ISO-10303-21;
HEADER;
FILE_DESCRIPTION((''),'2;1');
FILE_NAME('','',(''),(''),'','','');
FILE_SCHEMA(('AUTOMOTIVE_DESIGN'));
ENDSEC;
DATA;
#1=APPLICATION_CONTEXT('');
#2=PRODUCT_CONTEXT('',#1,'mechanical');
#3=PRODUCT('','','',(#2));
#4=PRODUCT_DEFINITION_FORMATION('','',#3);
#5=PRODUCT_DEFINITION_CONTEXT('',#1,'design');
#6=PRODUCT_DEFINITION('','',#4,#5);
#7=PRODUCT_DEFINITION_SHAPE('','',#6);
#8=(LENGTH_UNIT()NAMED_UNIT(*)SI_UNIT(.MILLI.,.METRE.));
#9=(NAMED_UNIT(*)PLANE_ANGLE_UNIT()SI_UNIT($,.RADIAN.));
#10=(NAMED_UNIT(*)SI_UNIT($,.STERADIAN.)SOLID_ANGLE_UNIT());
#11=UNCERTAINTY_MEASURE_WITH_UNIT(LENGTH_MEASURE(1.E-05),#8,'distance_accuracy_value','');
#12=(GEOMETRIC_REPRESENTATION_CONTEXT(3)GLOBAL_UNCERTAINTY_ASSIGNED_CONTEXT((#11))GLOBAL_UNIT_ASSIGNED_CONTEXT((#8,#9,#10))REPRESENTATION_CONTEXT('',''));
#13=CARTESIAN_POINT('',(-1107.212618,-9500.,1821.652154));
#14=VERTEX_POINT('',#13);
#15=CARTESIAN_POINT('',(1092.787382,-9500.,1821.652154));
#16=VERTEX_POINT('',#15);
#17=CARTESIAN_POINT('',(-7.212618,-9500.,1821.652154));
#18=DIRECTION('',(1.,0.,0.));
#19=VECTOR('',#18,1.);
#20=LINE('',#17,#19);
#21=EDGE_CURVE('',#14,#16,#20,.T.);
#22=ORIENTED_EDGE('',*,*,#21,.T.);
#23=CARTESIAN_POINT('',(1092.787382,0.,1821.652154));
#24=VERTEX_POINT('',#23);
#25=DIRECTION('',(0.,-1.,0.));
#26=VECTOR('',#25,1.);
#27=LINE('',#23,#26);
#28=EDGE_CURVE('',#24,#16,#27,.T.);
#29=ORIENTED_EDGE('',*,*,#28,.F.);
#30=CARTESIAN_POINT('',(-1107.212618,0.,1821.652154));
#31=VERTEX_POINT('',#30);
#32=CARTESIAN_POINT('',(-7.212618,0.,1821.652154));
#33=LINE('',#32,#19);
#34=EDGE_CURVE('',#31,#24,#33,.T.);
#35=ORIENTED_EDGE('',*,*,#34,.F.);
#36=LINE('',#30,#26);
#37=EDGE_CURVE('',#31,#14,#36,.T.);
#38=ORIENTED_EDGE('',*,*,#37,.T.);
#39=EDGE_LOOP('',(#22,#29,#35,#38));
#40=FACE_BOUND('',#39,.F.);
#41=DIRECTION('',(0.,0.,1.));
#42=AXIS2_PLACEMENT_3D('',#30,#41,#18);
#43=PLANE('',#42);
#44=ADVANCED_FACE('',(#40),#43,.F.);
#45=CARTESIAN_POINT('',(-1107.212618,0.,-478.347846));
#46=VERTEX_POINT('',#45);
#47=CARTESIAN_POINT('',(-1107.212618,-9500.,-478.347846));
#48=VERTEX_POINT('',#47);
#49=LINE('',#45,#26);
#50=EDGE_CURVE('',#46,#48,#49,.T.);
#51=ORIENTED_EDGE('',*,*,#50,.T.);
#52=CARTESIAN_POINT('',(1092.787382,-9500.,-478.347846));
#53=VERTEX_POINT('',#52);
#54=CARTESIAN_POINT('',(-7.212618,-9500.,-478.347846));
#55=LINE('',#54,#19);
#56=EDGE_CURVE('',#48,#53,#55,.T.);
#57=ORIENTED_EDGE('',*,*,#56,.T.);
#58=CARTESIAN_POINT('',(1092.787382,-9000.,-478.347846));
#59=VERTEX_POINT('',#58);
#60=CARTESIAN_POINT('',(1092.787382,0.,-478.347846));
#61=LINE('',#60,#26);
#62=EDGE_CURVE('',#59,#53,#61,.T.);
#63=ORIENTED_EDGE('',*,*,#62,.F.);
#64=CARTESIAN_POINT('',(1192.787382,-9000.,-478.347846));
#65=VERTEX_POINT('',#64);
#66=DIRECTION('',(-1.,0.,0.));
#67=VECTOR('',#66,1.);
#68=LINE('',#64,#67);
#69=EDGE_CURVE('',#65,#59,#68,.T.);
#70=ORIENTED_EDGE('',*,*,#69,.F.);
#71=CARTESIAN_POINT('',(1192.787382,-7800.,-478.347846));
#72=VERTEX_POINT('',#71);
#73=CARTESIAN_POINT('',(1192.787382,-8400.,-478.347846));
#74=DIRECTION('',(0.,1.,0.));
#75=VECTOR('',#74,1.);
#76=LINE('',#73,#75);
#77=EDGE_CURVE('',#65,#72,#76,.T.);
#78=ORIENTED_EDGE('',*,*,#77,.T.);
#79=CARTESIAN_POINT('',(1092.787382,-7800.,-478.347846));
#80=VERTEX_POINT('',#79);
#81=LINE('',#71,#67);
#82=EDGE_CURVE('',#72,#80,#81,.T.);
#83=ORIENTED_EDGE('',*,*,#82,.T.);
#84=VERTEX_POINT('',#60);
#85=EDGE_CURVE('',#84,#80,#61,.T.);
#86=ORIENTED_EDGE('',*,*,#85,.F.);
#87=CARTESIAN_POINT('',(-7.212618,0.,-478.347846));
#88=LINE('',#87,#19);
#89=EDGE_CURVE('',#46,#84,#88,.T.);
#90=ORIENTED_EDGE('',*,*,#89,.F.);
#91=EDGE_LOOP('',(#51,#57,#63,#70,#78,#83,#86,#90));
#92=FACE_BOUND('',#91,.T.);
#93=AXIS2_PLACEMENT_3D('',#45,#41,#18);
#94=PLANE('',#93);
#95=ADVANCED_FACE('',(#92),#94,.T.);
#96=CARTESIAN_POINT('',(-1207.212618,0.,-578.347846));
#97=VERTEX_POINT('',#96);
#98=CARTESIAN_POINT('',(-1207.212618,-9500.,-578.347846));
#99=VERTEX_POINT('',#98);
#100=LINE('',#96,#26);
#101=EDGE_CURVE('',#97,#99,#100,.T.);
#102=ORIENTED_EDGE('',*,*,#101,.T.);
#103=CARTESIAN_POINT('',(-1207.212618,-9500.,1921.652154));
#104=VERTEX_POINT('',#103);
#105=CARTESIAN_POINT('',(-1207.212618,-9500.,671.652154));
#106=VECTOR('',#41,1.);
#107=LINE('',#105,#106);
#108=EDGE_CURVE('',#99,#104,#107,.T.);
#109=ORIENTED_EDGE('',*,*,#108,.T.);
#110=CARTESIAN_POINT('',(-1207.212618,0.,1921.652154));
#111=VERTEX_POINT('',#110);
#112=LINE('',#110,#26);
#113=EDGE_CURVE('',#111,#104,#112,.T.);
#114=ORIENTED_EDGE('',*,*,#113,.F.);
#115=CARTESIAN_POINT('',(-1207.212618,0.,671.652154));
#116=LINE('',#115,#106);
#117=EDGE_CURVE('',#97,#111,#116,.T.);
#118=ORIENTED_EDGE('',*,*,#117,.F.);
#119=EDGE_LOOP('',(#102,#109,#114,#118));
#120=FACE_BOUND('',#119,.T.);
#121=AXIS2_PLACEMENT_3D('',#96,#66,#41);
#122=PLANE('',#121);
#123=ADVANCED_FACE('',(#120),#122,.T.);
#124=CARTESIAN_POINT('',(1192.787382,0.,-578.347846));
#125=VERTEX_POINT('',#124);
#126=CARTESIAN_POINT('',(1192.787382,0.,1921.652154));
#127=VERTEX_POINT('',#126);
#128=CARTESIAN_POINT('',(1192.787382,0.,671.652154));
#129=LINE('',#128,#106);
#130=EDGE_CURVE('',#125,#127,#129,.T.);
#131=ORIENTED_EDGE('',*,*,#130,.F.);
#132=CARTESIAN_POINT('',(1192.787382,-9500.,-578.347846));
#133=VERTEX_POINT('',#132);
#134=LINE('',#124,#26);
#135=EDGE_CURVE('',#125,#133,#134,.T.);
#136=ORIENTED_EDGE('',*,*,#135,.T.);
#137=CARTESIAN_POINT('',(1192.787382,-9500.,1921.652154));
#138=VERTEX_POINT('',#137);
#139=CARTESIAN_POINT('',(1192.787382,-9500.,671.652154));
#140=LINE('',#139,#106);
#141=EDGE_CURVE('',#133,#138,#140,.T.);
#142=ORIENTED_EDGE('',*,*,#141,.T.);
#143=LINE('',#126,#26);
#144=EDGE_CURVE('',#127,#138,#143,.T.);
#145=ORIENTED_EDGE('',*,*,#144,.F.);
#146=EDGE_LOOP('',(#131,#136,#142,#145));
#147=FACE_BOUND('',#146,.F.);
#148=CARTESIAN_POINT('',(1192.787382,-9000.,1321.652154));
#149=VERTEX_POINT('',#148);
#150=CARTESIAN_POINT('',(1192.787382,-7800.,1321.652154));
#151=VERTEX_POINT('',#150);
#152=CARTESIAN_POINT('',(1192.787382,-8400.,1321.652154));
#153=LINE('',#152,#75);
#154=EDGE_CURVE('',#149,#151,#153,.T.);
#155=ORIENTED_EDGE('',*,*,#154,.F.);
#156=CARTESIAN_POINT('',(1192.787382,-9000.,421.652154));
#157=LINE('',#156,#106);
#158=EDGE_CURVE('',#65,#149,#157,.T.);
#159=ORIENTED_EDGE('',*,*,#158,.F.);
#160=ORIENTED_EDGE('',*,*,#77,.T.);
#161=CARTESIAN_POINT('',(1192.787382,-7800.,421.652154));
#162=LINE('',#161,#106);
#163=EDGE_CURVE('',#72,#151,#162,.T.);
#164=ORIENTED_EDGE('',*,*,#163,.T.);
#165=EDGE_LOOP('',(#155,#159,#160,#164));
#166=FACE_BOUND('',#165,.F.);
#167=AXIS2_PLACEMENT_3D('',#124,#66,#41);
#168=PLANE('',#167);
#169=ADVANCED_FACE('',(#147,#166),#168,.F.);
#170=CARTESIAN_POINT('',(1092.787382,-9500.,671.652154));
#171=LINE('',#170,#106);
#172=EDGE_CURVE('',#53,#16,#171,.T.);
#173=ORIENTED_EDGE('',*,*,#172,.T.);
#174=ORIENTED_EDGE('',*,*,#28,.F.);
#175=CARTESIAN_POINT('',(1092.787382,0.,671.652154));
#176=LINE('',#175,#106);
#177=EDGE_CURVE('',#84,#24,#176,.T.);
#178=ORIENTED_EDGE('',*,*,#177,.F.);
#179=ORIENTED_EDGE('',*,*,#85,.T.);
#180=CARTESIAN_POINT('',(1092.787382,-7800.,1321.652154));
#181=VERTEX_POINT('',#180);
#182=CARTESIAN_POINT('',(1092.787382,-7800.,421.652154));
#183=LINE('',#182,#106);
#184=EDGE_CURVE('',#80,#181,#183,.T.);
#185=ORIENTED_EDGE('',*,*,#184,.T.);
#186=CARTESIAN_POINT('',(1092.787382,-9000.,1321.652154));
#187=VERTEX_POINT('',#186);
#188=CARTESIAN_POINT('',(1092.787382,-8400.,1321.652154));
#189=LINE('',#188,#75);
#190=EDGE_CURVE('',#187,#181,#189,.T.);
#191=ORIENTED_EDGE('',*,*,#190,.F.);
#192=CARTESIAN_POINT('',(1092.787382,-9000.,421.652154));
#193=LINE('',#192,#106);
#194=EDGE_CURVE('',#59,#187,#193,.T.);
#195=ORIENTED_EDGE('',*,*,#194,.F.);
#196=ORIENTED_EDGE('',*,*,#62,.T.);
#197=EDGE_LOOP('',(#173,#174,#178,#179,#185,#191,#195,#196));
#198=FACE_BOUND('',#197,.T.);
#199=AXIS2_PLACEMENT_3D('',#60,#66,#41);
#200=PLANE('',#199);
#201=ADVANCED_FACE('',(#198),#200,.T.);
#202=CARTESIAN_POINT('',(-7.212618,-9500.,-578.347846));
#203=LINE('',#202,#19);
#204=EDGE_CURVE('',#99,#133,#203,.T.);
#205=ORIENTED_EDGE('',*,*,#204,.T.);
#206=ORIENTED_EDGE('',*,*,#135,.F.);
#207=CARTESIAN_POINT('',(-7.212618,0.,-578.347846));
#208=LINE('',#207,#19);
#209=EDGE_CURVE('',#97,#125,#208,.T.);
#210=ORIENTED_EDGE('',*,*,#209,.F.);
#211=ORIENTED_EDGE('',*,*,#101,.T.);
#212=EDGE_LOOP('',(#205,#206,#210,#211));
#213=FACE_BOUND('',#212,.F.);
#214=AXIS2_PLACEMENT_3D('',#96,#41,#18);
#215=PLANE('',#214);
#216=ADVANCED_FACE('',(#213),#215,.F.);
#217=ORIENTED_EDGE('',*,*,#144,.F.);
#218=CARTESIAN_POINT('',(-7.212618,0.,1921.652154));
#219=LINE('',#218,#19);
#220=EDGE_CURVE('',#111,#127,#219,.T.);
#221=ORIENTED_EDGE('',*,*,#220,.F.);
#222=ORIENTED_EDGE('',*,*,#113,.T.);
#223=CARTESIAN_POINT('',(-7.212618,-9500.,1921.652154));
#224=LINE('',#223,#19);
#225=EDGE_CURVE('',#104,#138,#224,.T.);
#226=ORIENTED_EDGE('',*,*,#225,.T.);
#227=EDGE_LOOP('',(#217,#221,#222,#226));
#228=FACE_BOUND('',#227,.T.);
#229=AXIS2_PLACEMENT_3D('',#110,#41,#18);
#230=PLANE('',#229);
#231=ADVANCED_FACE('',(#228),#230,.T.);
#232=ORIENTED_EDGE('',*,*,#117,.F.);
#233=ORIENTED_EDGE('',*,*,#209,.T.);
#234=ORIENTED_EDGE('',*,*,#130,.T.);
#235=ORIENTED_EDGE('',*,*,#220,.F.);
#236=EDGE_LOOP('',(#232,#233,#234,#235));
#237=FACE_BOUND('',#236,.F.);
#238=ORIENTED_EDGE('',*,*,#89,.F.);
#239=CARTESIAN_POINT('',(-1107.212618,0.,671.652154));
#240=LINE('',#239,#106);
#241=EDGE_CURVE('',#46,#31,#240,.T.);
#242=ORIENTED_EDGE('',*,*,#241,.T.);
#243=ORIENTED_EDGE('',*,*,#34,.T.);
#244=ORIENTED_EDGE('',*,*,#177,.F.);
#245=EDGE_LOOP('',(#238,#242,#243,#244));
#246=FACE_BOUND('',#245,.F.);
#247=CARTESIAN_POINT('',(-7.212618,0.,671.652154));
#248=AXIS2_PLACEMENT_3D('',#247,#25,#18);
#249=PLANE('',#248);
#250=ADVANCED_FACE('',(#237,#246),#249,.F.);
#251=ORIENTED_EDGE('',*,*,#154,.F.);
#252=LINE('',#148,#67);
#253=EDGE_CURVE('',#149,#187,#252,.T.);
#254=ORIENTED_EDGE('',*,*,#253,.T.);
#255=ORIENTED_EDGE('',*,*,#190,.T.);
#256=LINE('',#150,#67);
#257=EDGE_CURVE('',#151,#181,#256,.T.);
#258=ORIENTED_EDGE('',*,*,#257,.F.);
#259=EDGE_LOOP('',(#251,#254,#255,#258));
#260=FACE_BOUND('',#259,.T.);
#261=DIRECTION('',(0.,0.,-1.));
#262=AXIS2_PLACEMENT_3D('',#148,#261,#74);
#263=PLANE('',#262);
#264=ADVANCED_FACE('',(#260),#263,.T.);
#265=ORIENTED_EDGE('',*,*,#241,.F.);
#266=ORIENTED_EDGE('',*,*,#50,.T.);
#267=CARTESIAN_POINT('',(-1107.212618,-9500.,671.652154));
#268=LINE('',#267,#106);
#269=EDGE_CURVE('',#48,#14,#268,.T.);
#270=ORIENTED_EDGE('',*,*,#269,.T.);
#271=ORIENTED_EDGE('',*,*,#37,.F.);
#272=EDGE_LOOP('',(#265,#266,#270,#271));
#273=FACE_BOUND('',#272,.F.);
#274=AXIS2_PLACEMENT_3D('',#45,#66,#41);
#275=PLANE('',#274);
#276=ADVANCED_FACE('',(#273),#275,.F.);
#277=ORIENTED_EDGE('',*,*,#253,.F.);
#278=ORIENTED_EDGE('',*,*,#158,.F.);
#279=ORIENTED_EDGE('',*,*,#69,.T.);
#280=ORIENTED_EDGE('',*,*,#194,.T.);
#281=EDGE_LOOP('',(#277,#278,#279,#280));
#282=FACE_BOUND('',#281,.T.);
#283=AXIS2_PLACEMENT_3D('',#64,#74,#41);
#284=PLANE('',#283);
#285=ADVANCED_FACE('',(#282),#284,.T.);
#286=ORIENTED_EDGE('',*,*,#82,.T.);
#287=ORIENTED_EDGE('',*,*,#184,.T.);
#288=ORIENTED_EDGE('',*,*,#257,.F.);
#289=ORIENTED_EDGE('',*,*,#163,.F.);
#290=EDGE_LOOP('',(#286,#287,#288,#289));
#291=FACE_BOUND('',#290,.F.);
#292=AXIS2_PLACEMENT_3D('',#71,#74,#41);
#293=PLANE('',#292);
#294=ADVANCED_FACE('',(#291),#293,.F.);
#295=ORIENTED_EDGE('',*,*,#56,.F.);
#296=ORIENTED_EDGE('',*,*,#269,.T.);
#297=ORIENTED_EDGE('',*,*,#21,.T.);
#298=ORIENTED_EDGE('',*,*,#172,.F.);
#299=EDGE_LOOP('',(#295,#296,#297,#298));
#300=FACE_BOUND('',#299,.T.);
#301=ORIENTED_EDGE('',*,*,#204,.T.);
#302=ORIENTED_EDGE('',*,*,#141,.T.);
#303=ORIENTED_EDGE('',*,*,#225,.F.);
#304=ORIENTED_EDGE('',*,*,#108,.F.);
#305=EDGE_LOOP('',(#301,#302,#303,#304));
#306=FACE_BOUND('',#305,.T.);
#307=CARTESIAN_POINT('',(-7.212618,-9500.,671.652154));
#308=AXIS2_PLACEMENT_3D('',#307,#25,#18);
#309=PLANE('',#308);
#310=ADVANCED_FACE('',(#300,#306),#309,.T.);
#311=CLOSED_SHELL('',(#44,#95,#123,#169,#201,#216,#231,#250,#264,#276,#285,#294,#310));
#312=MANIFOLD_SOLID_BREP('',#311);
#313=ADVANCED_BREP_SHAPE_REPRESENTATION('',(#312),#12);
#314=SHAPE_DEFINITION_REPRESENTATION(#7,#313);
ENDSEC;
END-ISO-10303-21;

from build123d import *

# Parameters (mm, degrees)
F0_W     = 2400
F0_H     = 2500
F0_W_2   = 2200
F0_H_2   = 2300
F1_DEPTH = 9500
F2_W     = 1200
F2_H     = 1800
F3_DEPTH = 100


with BuildPart() as f1:
    # F0 (on Front) → F1 (new body)
    with BuildSketch(Plane.XZ):
        with Locations((-7.212618, 671.652154)):
            Rectangle(F0_W, F0_H)
        with Locations((-7.212618, 671.652154)):
            Rectangle(F0_W_2, F0_H_2, mode=Mode.SUBTRACT)
    extrude(amount=F1_DEPTH)

    # F2 (on face) → F3 (cut)
    with BuildSketch(Plane.YZ.offset(1192.787382)):
        with Locations((-8400, 421.652154)):
            Rectangle(F2_W, F2_H)
    extrude(amount=-F3_DEPTH, mode=Mode.SUBTRACT)


solid = f1.part
